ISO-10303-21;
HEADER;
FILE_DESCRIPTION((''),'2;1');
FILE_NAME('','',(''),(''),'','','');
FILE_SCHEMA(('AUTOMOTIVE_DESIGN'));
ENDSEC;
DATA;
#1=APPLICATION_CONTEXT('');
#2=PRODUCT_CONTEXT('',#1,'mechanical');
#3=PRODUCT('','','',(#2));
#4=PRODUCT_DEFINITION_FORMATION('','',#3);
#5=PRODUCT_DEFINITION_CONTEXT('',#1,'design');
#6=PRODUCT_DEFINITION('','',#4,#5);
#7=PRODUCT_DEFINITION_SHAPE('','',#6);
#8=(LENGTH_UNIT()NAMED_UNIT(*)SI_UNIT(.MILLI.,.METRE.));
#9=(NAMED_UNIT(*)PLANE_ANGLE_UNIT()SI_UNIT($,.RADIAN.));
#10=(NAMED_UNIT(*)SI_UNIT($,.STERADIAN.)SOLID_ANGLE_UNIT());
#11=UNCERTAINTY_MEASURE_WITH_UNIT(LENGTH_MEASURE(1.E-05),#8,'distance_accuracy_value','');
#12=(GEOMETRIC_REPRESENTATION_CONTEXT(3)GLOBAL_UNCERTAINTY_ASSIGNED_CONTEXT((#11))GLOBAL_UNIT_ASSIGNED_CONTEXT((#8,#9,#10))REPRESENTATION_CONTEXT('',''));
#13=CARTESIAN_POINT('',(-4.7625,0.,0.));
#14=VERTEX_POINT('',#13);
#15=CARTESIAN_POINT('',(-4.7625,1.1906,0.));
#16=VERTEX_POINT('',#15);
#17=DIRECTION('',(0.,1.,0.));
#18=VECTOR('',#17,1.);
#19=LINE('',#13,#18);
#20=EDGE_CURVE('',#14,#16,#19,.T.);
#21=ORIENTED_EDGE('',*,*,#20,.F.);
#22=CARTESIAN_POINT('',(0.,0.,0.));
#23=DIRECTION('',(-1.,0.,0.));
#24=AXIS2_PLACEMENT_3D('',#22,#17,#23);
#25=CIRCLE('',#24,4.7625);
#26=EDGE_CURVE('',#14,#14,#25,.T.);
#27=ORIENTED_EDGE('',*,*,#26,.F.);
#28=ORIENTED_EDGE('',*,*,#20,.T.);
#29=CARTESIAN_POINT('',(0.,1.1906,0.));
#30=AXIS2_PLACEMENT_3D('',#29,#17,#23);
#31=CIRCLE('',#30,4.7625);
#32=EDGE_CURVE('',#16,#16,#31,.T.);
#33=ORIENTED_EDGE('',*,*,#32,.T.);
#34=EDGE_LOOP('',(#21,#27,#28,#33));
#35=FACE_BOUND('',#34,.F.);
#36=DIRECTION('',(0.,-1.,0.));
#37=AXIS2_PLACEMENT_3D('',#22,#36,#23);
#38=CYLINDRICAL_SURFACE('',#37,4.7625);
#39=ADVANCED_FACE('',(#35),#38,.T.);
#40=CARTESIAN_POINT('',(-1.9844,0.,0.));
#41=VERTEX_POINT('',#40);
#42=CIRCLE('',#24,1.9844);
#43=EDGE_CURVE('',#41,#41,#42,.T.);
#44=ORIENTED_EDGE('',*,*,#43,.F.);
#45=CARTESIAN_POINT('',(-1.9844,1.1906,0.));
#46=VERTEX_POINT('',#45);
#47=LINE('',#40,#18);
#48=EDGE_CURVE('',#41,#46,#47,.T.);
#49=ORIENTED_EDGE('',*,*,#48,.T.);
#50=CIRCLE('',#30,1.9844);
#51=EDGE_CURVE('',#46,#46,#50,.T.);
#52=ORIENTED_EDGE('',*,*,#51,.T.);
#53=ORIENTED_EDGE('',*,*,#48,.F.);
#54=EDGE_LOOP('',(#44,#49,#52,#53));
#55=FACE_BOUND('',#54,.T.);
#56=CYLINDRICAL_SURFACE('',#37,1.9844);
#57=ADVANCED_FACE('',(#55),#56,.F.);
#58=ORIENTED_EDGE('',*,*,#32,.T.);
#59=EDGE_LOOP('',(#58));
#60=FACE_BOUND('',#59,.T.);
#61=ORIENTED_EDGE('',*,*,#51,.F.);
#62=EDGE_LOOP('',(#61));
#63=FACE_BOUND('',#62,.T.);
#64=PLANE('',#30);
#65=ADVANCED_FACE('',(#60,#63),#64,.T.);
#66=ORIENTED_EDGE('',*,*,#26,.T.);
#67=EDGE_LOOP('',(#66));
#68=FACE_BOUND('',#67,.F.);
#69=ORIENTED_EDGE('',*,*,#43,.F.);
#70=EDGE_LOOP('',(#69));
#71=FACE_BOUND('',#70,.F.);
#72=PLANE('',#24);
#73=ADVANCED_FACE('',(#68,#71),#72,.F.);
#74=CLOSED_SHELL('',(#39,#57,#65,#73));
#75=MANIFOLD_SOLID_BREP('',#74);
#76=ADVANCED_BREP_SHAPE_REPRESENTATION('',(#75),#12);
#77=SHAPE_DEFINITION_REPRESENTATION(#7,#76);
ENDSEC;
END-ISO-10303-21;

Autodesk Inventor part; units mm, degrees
ref_plane "YZ Plane" through (0, 0, 0) normal (1, 0, 0) x (0, 1, 0)
ref_plane "XZ Plane" through (0, 0, 0) normal (0, 1, 0) x (-1, 0, 0)
ref_plane "XY Plane" through (0, 0, 0) normal (0, 0, 1) x (1, 0, 0)
sketch "Sketch1" plane through (0, 0, 0) normal (0, 1, 0) x (-1, 0, 0)
  circle A0 centre (0, 0) radius 1.9844
  circle A1 centre (0, 0) radius 4.7625
  dimension "d0" = 3.9688
  dimension "d1" = 9.525
extrude "Extrusion1" add sketch "Sketch1" along normal blind 1.1906
properties part number "Standard #6 Washer" material "Steel"
